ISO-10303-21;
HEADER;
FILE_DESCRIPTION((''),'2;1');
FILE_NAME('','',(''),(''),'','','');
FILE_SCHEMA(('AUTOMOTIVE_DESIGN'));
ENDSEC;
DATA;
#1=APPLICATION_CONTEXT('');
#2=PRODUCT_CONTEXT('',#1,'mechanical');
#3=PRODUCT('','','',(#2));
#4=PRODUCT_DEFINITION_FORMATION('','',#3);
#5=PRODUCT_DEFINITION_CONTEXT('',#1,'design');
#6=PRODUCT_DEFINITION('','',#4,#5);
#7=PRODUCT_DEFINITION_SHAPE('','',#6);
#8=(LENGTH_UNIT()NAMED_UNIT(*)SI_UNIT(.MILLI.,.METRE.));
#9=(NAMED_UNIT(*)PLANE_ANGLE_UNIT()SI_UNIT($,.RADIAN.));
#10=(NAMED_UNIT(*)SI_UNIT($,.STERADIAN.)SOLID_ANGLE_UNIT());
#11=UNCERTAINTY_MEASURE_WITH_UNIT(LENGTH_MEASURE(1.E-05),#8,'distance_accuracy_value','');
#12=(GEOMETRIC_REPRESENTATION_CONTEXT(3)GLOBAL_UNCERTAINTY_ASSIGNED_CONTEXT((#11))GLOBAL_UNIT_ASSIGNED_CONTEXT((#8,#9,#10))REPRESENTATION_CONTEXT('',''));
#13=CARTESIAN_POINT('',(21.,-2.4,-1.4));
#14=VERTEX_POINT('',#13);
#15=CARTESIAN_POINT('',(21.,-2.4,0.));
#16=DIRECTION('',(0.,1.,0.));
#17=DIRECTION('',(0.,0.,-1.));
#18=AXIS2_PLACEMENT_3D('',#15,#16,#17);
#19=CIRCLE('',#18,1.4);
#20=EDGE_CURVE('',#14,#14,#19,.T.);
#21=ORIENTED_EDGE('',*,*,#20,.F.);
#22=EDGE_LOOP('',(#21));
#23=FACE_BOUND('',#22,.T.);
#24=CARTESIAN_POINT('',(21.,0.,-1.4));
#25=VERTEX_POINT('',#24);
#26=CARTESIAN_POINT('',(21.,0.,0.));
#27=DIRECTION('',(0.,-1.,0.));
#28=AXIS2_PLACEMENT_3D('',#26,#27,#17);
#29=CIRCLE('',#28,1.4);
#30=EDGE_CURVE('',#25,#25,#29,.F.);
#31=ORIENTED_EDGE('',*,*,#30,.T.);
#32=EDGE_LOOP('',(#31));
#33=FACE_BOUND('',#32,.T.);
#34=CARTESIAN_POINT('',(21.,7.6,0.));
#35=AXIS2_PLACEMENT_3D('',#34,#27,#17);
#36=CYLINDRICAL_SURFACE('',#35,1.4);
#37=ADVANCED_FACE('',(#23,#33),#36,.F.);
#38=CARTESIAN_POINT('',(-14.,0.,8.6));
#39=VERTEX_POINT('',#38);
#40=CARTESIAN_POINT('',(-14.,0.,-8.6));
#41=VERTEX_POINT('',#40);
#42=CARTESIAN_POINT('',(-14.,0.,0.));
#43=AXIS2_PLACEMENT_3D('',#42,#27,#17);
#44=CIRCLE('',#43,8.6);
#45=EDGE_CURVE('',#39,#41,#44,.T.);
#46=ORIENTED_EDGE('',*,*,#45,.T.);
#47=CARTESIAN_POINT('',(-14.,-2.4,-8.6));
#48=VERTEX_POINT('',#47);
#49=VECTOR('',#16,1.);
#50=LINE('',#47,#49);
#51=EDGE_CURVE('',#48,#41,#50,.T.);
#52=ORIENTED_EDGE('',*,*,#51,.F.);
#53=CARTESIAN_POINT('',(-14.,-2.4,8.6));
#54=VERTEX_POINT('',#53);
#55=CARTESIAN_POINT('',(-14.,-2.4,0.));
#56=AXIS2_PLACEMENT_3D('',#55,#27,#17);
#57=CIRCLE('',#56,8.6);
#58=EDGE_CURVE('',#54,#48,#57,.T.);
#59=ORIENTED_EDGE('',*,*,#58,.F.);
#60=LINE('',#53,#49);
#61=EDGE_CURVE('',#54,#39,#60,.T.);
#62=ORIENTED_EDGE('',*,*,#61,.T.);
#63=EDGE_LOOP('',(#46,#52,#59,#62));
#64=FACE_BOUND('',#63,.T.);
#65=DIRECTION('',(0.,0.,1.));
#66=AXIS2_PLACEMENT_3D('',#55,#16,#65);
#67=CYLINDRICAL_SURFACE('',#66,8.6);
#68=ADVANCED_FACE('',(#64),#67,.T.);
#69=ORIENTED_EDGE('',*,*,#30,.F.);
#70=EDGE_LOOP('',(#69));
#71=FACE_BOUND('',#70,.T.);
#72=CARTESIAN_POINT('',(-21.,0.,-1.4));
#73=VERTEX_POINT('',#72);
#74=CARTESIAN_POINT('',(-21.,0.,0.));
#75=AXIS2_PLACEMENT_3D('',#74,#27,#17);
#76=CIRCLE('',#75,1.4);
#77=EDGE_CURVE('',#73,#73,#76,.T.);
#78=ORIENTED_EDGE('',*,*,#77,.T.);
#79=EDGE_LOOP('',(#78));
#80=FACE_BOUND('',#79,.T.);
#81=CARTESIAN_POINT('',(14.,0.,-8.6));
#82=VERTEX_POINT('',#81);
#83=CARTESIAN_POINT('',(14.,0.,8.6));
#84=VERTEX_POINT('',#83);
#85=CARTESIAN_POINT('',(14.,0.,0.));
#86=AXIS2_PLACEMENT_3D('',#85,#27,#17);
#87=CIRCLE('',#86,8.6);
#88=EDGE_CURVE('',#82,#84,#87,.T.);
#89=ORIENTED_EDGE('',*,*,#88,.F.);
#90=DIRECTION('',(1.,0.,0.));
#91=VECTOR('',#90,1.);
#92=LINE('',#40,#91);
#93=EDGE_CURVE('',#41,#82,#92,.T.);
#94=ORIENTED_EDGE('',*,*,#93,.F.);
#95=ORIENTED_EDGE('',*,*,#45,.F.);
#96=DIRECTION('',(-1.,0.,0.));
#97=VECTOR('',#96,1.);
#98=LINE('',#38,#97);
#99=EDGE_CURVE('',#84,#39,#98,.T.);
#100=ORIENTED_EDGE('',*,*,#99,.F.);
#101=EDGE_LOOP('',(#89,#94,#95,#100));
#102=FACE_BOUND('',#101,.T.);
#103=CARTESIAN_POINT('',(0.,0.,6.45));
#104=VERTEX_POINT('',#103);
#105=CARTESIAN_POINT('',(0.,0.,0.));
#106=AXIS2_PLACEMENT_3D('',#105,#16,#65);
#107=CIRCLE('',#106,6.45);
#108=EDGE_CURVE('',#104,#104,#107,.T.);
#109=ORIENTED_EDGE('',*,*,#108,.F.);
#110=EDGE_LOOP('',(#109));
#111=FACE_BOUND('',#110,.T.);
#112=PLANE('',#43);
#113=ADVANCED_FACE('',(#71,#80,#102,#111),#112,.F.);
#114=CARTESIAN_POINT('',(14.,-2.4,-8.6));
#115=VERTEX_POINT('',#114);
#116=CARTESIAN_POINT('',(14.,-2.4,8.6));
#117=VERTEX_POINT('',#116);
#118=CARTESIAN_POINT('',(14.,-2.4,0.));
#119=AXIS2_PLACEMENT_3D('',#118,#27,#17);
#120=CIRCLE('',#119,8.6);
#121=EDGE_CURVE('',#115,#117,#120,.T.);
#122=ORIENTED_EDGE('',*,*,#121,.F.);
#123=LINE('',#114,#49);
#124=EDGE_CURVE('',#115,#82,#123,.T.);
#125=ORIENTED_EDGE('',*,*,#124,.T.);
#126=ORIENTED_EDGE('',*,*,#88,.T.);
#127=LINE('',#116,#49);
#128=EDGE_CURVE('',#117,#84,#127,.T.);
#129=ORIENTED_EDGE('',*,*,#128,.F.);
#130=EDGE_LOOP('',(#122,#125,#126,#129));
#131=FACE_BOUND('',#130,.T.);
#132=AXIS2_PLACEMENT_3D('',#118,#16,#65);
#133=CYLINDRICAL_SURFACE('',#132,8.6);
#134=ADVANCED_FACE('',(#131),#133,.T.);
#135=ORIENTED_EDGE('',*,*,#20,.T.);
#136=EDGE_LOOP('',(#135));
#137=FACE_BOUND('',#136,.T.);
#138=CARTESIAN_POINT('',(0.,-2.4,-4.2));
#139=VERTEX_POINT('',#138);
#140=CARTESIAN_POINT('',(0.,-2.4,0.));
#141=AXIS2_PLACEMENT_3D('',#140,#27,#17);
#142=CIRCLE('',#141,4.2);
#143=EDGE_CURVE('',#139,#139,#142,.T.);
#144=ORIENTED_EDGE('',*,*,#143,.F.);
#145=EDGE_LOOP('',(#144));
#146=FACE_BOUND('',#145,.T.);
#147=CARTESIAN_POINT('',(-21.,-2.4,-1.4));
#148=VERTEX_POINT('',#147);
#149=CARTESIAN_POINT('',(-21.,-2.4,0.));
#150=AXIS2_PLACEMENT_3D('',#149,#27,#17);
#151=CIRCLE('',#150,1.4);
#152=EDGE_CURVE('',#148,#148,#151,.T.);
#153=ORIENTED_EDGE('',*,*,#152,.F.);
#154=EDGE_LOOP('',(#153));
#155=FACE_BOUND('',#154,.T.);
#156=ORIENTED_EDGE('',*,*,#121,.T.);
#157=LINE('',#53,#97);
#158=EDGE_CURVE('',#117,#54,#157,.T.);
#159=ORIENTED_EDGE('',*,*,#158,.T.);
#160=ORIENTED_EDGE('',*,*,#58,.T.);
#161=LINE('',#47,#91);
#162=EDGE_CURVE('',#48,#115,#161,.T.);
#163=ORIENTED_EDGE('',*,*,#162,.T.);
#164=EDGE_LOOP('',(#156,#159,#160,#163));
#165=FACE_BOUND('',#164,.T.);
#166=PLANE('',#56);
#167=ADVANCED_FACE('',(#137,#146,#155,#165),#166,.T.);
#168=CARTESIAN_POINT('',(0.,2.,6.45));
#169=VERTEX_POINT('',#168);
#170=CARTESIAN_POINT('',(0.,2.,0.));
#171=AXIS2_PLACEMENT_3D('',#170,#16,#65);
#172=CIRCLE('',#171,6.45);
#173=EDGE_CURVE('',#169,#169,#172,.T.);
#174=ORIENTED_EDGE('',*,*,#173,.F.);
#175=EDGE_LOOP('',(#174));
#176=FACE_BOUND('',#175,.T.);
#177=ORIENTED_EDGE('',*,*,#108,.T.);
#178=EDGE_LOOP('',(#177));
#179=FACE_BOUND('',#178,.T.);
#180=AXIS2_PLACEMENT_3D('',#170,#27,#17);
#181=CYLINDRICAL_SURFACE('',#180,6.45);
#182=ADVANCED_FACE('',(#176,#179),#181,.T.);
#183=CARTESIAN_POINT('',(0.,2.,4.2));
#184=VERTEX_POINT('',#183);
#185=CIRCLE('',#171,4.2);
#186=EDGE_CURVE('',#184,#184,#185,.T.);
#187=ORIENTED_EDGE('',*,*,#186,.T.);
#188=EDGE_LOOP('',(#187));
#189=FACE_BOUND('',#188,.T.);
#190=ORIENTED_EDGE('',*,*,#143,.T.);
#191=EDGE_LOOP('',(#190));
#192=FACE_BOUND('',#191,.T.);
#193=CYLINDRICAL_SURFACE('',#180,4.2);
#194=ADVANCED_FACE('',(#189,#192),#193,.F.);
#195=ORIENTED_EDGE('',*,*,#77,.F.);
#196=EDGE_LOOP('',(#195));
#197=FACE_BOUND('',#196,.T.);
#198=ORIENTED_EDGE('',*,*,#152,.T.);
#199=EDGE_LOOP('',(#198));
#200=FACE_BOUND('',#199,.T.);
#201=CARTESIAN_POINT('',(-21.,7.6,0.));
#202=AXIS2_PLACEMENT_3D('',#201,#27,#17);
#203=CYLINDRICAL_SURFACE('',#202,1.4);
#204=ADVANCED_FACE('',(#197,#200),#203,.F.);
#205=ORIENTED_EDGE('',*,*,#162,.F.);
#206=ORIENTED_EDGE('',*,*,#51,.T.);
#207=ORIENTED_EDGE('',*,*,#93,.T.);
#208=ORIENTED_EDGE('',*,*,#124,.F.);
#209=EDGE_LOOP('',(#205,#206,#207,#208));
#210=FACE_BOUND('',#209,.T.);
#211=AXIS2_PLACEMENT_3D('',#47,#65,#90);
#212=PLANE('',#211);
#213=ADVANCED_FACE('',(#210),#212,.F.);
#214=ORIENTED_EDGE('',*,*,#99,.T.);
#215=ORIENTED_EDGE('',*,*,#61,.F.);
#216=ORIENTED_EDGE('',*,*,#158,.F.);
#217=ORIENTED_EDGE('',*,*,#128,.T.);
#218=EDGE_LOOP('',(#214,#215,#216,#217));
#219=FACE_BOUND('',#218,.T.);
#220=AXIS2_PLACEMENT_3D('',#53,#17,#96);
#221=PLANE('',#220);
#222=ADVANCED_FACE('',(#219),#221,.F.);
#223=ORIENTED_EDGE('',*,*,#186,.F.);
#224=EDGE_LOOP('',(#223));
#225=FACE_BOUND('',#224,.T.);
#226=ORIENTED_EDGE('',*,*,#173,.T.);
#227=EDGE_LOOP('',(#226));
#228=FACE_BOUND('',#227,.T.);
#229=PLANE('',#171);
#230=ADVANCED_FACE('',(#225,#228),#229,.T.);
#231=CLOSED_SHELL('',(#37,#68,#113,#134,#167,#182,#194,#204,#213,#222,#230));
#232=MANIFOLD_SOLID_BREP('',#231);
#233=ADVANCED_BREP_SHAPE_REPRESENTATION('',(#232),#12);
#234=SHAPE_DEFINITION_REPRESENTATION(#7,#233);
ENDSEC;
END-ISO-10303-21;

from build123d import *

# Parameters (mm, degrees)
SKETCH_1_R          = 6.45
SKETCH_1_R_2        = 4.2
EXTRUDE_1_DEPTH     = 2
SKETCH_2_R          = 4.2
EXTRUDE_3_DEPTH     = 2.4
SKETCH_3_R          = 1.4
CUT_EXTRUDE_1_DEPTH = 10


with BuildPart() as part:
    # 스케치1 → 보스-돌출1 (new body)
    with BuildSketch(Plane(origin=(0, 0, 0), x_dir=(1, 0, 0), z_dir=(0, 1, 0))):
        Circle(SKETCH_1_R)
        Circle(SKETCH_1_R_2, mode=Mode.SUBTRACT)
    extrude(amount=EXTRUDE_1_DEPTH)

    # 스케치2 → 보스-돌출3 (add)
    with BuildSketch(Plane.XZ):
        with BuildLine():
            Line((-14, 8.6), (14, 8.6))
            ThreePointArc((14, 8.6), (22.6, 0), (14, -8.6))
            Line((14, -8.6), (-14, -8.6))
            ThreePointArc((-14, -8.6), (-22.6, 0), (-14, 8.6))
        make_face()
        Circle(SKETCH_2_R, mode=Mode.SUBTRACT)
    extrude(amount=EXTRUDE_3_DEPTH)

    # 스케치3 → 컷-돌출1 (cut)
    with BuildSketch(Plane.XZ.offset(2.4)):
        with Locations((-21, 0)):
            Circle(SKETCH_3_R)
    cut_extrude_1 = extrude(amount=-CUT_EXTRUDE_1_DEPTH, mode=Mode.SUBTRACT)

    # 대칭 복사1: 컷-돌출1 across plane
    add(cut_extrude_1.mirror(Plane(origin=(0, 0, 0), x_dir=(0, 0, 1), z_dir=(1, 0, 0))), mode=Mode.SUBTRACT)


solid = part.part
